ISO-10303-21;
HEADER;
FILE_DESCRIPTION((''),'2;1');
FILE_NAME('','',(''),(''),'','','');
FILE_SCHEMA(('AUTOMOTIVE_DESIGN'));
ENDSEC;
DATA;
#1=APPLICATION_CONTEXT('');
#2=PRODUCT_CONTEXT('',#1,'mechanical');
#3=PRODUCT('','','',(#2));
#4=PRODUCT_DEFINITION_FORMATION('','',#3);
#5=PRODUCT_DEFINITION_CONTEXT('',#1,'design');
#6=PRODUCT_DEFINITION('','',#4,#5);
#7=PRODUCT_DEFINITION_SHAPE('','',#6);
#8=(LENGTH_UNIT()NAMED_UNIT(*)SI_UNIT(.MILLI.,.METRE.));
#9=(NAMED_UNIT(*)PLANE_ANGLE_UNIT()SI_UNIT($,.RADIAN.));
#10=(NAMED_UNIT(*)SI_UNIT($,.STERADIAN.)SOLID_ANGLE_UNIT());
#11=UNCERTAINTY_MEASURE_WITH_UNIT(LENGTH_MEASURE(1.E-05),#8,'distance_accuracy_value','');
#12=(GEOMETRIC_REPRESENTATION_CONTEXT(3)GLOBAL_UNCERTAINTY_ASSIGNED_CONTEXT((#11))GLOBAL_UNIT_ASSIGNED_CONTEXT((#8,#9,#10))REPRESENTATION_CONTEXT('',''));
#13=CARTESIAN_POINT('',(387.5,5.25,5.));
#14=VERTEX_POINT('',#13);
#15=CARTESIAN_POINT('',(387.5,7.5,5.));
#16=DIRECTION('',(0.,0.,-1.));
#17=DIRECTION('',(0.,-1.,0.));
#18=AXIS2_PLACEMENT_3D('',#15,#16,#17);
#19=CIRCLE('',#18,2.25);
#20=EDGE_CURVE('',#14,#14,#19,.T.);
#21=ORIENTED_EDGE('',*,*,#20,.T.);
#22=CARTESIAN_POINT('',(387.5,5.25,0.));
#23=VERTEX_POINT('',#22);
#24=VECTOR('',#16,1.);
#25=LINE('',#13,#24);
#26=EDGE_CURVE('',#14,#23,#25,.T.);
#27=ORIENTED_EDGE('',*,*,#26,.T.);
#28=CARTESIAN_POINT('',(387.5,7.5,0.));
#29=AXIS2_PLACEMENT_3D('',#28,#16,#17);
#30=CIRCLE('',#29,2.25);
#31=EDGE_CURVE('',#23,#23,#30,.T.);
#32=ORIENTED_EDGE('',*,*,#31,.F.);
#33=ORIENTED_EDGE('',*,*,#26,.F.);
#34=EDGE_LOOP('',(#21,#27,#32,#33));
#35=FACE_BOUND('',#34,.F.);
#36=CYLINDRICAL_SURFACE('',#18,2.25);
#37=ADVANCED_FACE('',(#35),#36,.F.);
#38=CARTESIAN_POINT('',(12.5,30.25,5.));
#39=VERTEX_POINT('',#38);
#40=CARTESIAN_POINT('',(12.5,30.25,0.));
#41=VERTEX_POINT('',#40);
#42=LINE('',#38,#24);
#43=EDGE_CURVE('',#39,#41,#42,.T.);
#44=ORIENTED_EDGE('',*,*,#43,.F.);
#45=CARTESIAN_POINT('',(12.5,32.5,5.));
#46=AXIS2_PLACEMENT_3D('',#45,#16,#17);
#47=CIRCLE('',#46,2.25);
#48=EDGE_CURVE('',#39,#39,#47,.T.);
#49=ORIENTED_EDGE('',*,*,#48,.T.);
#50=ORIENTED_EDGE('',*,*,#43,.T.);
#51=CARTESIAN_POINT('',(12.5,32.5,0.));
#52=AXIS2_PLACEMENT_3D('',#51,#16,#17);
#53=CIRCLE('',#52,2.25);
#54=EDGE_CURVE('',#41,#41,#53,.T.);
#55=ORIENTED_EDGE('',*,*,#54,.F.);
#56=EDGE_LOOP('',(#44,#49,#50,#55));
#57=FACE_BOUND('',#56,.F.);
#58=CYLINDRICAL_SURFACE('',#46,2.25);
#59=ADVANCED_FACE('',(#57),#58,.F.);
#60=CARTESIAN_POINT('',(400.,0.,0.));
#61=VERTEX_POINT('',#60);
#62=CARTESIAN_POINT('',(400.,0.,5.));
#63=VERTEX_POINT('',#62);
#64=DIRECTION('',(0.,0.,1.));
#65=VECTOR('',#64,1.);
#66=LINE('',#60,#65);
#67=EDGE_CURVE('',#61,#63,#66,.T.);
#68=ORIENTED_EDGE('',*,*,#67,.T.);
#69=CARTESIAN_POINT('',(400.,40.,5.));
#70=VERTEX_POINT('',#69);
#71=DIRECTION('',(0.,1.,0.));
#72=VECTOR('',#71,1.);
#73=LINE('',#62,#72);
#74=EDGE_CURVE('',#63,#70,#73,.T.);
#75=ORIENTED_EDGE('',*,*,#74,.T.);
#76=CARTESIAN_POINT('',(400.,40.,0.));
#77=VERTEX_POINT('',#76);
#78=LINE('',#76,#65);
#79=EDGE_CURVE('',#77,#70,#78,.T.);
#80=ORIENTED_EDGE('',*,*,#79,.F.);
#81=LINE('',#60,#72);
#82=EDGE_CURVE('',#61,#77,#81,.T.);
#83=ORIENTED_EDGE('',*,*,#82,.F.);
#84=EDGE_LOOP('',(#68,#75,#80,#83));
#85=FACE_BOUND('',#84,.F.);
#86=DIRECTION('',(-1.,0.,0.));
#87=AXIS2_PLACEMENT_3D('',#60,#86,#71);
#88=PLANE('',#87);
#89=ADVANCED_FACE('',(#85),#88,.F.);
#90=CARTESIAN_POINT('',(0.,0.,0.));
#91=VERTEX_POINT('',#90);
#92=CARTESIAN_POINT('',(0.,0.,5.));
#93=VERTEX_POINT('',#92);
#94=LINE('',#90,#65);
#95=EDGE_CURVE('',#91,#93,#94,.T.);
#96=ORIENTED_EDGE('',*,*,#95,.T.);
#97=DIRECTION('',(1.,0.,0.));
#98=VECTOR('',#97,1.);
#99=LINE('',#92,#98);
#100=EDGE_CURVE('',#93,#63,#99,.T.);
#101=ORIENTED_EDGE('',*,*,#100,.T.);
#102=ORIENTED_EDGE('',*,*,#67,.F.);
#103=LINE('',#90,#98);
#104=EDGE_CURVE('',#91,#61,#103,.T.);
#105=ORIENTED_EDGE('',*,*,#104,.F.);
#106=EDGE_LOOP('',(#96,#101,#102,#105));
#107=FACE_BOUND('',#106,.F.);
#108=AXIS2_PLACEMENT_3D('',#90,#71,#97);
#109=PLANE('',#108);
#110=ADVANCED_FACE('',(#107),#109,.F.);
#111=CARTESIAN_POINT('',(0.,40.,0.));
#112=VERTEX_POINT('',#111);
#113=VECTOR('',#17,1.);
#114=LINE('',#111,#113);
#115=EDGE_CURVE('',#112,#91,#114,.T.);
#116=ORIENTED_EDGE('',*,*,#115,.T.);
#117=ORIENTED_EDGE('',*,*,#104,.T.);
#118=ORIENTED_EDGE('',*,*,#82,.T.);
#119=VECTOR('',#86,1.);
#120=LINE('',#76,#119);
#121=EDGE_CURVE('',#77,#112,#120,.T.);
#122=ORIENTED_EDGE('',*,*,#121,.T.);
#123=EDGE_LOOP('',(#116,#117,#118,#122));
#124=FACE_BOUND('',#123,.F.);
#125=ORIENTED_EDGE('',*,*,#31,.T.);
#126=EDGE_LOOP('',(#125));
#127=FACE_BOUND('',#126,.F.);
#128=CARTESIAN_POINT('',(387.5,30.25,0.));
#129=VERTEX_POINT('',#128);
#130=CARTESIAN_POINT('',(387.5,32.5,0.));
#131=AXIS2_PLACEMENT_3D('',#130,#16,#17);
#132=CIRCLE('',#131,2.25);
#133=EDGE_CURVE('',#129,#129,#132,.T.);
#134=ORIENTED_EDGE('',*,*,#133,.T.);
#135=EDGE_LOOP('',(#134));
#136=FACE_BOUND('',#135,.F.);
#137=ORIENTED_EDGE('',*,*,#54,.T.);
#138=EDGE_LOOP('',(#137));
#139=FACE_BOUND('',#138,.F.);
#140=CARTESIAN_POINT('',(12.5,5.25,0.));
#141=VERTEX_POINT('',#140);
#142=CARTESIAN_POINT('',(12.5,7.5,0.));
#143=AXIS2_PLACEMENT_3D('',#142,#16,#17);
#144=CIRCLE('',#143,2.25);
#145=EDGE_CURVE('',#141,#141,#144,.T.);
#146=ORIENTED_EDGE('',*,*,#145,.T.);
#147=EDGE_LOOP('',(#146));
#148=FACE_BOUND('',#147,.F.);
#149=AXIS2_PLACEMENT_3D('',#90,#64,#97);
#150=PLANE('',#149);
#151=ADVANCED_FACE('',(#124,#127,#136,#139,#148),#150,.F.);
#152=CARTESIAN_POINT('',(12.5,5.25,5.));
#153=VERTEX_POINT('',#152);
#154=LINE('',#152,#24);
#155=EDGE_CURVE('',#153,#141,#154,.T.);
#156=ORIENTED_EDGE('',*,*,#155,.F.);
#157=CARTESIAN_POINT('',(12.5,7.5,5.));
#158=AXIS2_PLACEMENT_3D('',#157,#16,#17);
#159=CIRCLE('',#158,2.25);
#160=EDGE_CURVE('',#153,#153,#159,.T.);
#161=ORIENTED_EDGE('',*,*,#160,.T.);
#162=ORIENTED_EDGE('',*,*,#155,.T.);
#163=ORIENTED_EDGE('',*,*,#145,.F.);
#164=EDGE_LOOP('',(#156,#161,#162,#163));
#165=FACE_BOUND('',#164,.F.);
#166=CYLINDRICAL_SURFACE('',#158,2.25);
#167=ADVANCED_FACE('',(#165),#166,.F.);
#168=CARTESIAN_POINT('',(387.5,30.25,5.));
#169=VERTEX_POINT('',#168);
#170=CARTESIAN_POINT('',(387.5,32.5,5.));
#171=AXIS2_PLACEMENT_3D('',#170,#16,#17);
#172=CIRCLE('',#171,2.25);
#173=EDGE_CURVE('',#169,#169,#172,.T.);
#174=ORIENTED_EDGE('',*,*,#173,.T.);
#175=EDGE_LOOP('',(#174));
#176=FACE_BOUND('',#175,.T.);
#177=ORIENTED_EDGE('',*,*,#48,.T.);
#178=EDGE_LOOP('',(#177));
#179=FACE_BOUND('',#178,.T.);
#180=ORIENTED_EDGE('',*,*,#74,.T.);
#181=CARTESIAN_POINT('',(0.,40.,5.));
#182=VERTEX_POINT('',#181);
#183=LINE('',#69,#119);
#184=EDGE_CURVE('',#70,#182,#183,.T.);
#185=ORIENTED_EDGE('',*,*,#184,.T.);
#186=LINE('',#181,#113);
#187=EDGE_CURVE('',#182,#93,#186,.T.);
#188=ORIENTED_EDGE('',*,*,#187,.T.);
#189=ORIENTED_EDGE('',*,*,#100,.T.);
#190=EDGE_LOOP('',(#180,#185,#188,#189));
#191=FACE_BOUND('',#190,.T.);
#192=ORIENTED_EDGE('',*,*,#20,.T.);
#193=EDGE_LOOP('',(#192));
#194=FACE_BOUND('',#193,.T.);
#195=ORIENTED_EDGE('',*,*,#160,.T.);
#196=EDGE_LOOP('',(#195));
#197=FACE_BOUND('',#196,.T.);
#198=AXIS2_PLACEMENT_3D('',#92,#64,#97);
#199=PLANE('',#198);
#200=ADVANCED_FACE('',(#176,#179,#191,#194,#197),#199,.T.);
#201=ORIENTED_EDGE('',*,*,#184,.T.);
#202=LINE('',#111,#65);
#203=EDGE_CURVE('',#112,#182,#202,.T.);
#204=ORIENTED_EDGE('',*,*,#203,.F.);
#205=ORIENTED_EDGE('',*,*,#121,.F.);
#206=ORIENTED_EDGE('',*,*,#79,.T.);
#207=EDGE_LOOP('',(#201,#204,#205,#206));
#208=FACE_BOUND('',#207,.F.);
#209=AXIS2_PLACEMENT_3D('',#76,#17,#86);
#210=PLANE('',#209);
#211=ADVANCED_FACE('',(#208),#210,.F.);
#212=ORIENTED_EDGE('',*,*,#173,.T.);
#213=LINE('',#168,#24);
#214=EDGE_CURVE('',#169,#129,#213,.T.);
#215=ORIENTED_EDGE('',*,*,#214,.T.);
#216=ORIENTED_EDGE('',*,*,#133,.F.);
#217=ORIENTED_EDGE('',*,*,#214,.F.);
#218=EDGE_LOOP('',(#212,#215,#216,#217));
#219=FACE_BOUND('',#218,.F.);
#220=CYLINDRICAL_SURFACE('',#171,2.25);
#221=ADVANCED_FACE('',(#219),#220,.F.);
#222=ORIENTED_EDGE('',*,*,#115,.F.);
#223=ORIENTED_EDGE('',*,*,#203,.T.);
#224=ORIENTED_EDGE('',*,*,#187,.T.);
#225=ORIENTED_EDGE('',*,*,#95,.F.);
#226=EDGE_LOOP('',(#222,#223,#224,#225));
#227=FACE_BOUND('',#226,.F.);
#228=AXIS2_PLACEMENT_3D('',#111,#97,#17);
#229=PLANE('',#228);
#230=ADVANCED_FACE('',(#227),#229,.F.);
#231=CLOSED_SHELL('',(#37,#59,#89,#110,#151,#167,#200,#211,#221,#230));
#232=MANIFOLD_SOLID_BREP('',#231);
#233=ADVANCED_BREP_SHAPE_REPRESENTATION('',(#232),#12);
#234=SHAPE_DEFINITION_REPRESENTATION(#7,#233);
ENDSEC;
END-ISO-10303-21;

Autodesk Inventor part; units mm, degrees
ref_plane "YZ Plane" through (0, 0, 0) normal (1, 0, 0) x (0, 1, 0)
ref_plane "XZ Plane" through (0, 0, 0) normal (0, 1, 0) x (-1, 0, 0)
ref_plane "XY Plane" through (0, 0, 0) normal (0, 0, 1) x (1, 0, 0)
sketch "Sketch1" plane through (0, 0, 0) normal (0, 0, 1) x (1, 0, 0)
  line L0 (0, 0) -> (400, 0)
  line L1 (400, 0) -> (400, 40)
  line L2 (400, 40) -> (0, 40)
  line L3 (0, 40) -> (0, 0)
  dimension "d0" = 400
  dimension "d1" = 40
extrude "Extrusion1" add sketch "Sketch1" along normal blind 5
sketch "Sketch2" plane through (0, 0, 5) normal (0, 0, 1) x (1, 0, 0)
  line L0 (400, 40) -> (0, 40) projected
  line L1 (0, 40) -> (0, 0) projected
  line L2 (0, 0) -> (400, 0) projected
  line L3 (400, 0) -> (400, 40) projected
  point P0 (12.5, 32.5)
  point P1 (12.5, 7.5)
  point P2 (387.5, 32.5)
  point P3 (387.5, 7.5)
  dimension "d4" = 7.5
  dimension "d5" = 12.5
  dimension "d6" = 7.5
  dimension "d7" = 12.5
hole "Hole1" at (12.5, 32.5, 5) at (12.5, 7.5, 5) at (387.5, 32.5, 5) at (387.5, 7.5, 5) direction (0, 0, -1) diameter 4.5 end through all clearance for "Flat Head Machine Screw" size "M4" standard "Ansi Metric M Profile"
equation "\"d6\" = d4"
equation "\"d7\" = d5"
properties part number "Top_End Piece 1" material "Wood (Birch)"
